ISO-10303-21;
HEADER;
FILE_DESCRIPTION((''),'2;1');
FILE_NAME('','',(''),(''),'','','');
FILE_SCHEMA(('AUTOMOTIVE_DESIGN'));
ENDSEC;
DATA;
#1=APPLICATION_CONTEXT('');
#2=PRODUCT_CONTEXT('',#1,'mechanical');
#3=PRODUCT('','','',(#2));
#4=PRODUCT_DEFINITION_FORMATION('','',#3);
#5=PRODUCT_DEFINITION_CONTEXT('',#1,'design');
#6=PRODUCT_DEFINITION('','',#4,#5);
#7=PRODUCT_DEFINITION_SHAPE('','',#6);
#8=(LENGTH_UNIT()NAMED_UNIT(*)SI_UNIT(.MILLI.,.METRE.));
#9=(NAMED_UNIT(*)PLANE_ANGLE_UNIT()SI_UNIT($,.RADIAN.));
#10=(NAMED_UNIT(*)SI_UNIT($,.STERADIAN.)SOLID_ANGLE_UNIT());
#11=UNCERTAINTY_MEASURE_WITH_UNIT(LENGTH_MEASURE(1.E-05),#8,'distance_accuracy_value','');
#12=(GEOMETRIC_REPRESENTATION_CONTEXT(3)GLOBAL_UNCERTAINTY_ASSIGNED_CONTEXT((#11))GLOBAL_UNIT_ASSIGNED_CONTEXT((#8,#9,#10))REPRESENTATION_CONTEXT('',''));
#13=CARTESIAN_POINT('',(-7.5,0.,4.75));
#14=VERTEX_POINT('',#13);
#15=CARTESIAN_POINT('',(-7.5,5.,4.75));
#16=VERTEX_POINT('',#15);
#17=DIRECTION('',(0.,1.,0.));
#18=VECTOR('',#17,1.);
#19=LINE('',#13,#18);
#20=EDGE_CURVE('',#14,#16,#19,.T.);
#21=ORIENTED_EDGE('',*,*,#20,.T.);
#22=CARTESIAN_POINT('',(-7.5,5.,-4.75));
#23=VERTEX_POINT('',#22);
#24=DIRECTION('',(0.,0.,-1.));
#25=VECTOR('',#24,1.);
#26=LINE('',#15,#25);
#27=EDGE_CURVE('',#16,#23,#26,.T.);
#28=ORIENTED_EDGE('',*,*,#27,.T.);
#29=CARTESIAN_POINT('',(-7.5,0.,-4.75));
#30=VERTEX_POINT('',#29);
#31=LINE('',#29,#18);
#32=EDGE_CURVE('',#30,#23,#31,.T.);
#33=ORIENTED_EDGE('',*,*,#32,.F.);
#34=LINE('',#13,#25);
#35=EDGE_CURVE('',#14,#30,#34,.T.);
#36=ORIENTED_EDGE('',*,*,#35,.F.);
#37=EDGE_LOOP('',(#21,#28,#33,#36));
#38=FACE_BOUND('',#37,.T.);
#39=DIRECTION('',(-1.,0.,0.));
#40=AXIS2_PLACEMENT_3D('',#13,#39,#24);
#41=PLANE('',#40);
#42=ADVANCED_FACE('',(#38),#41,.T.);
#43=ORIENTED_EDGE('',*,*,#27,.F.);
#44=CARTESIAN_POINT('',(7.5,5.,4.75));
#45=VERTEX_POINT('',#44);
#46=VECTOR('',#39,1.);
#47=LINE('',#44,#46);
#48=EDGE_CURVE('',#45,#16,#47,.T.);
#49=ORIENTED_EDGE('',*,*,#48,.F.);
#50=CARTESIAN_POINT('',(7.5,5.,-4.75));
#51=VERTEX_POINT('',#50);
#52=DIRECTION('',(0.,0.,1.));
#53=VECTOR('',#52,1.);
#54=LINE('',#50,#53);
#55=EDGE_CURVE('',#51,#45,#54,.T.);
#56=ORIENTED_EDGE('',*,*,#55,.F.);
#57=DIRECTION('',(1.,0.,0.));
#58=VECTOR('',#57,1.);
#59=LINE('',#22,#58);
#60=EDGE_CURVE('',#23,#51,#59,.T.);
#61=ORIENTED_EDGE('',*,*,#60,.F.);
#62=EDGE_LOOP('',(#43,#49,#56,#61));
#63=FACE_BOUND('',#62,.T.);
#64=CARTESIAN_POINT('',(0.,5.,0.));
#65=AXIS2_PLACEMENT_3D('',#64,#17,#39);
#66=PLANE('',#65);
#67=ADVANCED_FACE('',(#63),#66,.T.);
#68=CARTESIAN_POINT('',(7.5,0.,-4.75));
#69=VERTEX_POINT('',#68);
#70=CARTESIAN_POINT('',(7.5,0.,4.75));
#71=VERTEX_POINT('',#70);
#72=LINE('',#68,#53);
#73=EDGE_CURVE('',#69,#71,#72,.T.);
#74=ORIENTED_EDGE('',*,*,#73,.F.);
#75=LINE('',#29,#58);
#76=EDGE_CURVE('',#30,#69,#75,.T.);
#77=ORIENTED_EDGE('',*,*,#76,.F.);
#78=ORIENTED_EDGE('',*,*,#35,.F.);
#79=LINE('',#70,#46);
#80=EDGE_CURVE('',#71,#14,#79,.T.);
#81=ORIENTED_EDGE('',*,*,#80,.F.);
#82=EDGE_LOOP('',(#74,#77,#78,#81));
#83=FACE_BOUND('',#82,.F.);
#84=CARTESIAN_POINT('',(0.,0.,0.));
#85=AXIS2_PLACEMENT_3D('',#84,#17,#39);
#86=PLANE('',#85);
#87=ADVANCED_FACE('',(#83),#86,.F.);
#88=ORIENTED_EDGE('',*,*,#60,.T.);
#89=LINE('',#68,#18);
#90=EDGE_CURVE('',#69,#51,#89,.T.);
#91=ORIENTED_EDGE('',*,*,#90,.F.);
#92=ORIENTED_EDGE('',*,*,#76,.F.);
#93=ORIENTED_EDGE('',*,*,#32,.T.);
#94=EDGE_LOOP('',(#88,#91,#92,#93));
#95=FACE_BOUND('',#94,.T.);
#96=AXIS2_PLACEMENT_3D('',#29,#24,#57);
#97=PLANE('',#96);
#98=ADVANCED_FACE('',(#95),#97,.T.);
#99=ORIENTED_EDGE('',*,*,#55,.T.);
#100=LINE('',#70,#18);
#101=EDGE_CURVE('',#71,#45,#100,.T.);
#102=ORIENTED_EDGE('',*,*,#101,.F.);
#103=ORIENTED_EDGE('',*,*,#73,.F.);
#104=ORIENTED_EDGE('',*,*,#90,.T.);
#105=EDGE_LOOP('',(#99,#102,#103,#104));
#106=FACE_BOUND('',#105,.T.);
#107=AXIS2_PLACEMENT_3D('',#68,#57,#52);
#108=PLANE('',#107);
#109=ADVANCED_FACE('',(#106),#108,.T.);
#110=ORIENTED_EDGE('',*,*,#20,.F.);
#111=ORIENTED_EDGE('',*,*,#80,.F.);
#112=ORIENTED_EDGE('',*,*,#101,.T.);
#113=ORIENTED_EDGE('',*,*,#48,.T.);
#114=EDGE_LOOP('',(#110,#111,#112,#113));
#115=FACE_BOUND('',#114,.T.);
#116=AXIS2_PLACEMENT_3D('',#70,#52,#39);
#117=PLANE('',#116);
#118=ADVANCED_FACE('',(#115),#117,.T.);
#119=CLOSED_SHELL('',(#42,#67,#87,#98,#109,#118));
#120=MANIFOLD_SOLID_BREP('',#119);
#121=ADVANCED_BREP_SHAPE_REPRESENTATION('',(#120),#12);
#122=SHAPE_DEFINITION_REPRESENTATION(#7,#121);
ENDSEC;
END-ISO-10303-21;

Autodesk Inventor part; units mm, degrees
ref_plane "YZ Plane" through (0, 0, 0) normal (1, 0, 0) x (0, 1, 0)
ref_plane "XZ Plane" through (0, 0, 0) normal (0, 1, 0) x (-1, 0, 0)
ref_plane "XY Plane" through (0, 0, 0) normal (0, 0, 1) x (1, 0, 0)
sketch "Skizze1" plane through (0, 0, 0) normal (0, 1, 0) x (-1, 0, 0)
  line L0 (-7.5, 4.75) -> (7.5, 4.75)
  line L1 (7.5, 4.75) -> (7.5, -4.75)
  line L2 (7.5, -4.75) -> (-7.5, -4.75)
  line L3 (-7.5, -4.75) -> (-7.5, 4.75)
  line L4 (-7.5, 4.75) -> (7.5, -4.75) construction
  line L5 (7.5, 4.75) -> (-7.5, -4.75) construction
  point P0 (0, 0)
  dimension "d0" = 15
  dimension "d1" = 9.5
extrude "Extrusion1" add sketch "Skizze1" along normal blind 5
properties part number "Block"
